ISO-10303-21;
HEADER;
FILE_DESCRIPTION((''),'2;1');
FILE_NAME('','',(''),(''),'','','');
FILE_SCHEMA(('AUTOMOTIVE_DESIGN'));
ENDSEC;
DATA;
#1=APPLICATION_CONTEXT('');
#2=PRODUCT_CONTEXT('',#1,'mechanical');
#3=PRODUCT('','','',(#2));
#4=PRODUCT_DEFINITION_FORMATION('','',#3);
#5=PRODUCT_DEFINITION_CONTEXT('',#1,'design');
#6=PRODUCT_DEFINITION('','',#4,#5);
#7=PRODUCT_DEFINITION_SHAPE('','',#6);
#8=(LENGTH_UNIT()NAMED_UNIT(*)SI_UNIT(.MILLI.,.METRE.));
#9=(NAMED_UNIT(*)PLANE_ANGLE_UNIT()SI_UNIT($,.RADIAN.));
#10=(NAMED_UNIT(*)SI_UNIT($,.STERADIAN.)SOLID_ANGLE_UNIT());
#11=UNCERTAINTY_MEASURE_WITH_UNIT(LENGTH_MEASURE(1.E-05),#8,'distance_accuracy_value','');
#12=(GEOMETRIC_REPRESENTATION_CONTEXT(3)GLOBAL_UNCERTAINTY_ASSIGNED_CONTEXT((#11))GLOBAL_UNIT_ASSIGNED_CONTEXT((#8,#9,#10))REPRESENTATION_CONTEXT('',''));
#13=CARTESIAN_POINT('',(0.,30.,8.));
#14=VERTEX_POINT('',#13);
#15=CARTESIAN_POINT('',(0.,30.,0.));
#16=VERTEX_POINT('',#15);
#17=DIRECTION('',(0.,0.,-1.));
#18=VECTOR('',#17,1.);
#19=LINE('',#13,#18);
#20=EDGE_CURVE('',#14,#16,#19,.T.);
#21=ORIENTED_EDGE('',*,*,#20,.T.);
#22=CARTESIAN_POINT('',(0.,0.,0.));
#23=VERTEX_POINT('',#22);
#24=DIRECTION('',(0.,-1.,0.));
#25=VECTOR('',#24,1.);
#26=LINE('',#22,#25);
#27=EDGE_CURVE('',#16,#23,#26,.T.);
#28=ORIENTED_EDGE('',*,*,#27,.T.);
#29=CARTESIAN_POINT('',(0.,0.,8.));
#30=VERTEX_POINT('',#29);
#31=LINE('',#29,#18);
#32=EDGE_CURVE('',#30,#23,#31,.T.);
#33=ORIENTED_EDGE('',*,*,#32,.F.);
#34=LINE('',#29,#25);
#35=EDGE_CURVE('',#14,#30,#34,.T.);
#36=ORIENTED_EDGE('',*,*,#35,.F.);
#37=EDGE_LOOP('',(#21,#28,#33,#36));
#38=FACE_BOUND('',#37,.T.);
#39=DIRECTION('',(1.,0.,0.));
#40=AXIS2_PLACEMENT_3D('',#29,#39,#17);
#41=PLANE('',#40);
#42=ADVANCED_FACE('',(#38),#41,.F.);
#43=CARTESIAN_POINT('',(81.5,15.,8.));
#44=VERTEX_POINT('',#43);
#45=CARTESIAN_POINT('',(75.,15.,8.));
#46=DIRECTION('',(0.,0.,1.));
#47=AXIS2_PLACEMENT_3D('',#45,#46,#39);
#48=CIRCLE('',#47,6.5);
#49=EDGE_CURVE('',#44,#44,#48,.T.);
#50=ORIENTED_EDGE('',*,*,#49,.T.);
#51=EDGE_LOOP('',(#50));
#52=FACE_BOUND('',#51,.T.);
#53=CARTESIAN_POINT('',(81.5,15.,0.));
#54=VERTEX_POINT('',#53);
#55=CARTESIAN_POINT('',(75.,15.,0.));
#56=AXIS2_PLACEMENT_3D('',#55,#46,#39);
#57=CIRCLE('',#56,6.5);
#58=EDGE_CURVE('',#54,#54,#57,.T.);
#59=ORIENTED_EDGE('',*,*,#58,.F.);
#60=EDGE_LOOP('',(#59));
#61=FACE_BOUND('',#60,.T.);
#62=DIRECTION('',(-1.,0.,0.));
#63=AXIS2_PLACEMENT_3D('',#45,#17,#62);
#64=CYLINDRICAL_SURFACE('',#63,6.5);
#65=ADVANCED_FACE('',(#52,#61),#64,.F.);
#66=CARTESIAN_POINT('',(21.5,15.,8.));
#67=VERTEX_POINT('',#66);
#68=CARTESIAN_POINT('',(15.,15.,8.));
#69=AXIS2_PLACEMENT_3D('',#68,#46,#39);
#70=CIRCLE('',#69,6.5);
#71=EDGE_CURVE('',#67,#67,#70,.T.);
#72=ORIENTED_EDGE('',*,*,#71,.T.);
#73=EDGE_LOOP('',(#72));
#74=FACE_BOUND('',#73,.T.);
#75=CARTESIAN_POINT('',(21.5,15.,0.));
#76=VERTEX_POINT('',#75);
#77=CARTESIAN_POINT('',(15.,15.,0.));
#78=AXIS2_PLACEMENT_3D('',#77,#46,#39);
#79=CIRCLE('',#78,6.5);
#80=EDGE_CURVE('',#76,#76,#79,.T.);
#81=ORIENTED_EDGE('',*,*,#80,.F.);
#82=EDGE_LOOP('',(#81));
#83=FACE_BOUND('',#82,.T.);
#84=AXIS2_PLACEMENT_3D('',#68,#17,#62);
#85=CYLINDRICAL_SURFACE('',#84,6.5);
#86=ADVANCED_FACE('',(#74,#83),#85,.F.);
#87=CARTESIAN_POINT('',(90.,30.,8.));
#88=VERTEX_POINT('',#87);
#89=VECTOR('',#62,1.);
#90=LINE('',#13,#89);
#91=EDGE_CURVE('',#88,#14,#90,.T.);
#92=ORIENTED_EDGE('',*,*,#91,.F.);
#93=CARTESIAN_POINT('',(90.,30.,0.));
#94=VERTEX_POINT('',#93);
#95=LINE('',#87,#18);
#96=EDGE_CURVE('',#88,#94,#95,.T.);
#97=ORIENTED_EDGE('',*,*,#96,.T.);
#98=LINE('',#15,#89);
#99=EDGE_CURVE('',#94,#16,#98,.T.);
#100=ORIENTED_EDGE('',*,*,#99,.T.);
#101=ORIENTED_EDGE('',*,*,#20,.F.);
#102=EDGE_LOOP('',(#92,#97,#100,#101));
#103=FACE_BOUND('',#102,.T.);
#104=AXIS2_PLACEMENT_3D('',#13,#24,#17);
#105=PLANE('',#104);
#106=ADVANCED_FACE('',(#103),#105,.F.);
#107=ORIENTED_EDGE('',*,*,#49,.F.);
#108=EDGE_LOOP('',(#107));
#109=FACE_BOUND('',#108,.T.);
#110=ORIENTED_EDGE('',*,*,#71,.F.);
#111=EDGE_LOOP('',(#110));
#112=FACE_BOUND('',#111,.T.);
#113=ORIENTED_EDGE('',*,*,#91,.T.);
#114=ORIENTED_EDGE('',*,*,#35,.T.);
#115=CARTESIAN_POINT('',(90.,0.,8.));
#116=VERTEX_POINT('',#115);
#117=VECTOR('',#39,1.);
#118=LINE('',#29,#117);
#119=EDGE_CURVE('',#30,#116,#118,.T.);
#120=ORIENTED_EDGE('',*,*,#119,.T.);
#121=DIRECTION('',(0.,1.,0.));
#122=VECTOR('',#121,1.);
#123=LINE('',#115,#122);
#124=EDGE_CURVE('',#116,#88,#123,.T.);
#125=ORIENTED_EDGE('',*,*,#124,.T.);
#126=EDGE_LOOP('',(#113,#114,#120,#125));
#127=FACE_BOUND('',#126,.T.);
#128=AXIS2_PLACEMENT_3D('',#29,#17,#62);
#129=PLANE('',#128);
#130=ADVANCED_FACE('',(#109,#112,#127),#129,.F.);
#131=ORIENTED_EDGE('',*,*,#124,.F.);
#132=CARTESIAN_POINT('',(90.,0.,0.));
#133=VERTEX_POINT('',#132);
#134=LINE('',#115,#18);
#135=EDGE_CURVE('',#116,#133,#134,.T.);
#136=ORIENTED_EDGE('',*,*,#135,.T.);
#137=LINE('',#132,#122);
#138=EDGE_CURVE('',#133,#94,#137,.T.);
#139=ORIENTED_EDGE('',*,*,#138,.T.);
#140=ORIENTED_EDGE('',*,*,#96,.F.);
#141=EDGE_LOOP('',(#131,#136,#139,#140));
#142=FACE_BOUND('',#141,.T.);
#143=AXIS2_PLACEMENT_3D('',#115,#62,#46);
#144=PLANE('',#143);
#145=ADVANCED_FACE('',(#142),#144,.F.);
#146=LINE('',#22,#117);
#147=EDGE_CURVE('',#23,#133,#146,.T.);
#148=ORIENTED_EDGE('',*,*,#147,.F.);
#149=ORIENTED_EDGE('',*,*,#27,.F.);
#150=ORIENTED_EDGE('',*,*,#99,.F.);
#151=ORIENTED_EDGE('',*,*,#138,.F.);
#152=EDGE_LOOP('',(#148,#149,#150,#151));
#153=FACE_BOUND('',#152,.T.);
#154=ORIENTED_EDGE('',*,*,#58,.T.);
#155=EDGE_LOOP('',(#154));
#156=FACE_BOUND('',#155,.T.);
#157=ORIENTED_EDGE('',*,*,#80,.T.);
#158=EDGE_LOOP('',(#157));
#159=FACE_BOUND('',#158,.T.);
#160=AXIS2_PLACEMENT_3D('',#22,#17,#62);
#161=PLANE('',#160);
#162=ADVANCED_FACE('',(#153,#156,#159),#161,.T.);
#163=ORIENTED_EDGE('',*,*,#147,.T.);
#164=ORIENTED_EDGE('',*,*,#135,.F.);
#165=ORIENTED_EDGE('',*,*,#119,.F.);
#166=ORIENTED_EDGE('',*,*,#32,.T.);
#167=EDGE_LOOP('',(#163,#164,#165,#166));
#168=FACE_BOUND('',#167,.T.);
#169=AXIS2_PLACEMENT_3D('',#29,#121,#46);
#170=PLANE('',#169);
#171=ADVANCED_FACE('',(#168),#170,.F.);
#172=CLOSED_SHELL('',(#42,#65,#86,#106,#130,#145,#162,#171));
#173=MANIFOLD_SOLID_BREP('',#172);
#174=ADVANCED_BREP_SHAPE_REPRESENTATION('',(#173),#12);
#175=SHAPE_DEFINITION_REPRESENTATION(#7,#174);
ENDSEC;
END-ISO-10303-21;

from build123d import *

# Parameters (mm, degrees)
SKETCH_1_W      = 90
SKETCH_1_H      = 30
SKETCH_1_R      = 6.5
EXTRUDE_1_DEPTH = 8


with BuildPart() as part:
    # 草图1 → 凸台-拉伸1 (new body)
    with BuildSketch(Plane.XY):
        with Locations((45, 15)):
            Rectangle(SKETCH_1_W, SKETCH_1_H)
        with Locations((15, 15)):
            Circle(SKETCH_1_R, mode=Mode.SUBTRACT)
        with Locations((75, 15)):
            Circle(SKETCH_1_R, mode=Mode.SUBTRACT)
    extrude(amount=EXTRUDE_1_DEPTH)


solid = part.part
